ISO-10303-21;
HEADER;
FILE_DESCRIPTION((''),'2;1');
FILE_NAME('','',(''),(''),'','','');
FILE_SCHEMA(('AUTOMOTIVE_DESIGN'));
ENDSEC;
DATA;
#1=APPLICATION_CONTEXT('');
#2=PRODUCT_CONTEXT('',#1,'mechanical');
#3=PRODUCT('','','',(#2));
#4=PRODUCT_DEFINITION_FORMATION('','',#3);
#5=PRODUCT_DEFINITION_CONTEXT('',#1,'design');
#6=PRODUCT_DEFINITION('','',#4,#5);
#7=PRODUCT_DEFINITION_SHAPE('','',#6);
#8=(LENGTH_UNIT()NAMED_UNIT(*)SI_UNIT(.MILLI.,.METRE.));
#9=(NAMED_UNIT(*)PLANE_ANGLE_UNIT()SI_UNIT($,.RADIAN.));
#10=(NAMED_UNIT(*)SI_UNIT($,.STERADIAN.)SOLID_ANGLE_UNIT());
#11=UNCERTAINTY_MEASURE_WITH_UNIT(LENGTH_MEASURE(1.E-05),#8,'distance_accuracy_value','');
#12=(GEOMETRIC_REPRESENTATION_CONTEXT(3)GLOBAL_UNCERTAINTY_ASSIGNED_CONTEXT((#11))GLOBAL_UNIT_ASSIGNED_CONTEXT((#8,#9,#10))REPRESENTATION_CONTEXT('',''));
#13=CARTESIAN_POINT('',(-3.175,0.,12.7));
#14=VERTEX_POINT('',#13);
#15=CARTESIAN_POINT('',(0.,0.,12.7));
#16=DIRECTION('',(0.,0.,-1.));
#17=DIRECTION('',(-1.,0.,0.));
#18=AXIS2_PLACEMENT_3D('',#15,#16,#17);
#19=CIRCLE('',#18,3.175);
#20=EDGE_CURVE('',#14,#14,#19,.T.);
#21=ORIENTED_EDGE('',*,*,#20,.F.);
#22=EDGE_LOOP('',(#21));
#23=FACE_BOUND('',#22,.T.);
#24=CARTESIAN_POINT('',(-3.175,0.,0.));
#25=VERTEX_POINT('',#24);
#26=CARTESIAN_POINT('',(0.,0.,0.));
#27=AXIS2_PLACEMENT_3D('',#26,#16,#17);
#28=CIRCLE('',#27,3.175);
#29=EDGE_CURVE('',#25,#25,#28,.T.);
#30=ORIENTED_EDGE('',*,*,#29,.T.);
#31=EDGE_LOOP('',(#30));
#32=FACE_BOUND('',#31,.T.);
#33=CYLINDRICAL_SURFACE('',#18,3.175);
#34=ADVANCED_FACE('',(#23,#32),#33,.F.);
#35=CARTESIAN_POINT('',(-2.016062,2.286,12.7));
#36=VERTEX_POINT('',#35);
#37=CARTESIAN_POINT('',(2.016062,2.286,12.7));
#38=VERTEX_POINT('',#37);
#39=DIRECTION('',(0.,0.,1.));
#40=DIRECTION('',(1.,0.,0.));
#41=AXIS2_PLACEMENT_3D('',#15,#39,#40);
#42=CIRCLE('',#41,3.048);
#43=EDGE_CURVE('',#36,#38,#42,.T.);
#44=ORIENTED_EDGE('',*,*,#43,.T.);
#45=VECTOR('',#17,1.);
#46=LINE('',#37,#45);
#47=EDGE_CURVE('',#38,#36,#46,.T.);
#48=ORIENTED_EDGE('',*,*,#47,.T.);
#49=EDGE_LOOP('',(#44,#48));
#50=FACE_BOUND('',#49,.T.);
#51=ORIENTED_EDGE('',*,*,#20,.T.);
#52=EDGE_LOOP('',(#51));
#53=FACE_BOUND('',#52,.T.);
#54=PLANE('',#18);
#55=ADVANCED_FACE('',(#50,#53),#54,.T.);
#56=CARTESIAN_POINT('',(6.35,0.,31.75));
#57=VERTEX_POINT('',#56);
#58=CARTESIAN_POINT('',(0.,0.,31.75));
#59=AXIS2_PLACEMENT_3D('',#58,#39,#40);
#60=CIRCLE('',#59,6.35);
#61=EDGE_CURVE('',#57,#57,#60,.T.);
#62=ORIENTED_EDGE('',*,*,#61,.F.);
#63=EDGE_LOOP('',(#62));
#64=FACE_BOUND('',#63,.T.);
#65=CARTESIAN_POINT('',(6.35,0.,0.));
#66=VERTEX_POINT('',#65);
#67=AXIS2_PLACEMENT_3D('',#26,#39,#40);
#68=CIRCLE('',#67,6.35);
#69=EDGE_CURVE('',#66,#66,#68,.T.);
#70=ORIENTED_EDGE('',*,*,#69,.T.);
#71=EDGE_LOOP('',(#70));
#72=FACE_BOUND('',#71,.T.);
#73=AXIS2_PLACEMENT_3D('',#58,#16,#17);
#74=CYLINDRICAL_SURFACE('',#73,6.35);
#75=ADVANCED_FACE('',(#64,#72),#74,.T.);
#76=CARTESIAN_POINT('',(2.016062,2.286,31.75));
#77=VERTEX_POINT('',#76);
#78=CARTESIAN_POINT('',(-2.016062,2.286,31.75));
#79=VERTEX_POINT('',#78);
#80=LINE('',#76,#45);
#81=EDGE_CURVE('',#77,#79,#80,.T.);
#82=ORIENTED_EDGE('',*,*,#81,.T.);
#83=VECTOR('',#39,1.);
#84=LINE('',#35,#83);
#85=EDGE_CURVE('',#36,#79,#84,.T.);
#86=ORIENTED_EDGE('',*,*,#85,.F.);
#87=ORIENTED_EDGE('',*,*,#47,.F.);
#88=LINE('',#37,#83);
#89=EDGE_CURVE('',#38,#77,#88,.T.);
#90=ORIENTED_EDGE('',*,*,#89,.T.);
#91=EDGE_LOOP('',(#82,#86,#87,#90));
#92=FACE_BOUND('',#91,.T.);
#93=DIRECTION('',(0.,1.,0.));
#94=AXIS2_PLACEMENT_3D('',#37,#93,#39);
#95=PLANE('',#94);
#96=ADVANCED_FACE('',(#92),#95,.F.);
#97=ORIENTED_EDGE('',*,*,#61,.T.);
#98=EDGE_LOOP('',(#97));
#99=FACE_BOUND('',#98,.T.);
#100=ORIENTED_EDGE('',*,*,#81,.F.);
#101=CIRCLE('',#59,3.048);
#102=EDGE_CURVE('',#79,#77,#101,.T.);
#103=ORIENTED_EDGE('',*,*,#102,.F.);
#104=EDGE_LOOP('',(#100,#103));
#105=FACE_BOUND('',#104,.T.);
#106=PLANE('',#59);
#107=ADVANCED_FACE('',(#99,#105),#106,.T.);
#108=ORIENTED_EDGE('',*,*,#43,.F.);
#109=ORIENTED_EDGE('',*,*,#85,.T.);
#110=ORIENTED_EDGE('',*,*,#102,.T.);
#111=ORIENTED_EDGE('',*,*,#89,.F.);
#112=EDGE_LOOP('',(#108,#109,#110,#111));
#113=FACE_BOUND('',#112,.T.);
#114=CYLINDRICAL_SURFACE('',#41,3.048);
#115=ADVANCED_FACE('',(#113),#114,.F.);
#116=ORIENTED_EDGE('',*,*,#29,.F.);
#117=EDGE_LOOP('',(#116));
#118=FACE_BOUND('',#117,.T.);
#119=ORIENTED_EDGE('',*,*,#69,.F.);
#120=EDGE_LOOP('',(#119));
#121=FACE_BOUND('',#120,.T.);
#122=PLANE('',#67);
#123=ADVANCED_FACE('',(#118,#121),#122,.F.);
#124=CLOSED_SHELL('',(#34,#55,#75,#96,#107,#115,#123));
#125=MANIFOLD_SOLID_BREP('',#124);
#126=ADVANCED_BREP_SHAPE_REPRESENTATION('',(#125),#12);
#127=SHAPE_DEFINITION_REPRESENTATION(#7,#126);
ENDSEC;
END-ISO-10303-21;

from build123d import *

# Parameters (mm, degrees)
SKETCH1_R           = 6.35
BOSS_EXTRUDE1_DEPTH = 31.75
CUT_EXTRUDE1_DEPTH  = 19.05
SKETCH3_R           = 3.175
CUT_EXTRUDE2_DEPTH  = 12.7


with BuildPart() as part:
    # Sketch1 → Boss-Extrude1 (new body)
    with BuildSketch(Plane.XY):
        Circle(SKETCH1_R)
    extrude(amount=BOSS_EXTRUDE1_DEPTH)

    # Sketch2 → Cut-Extrude1 (cut)
    with BuildSketch(Plane.XY.offset(31.75)):
        with BuildLine():
            Line((2.016062499, 2.286), (-2.016062499, 2.286))
            ThreePointArc((-2.016062499, 2.286), (0, -3.048), (2.016062499, 2.286))
        make_face()
    extrude(amount=-CUT_EXTRUDE1_DEPTH, mode=Mode.SUBTRACT)

    # Sketch3 → Cut-Extrude2 (cut)
    with BuildSketch(Plane(origin=(0, 0, 0), x_dir=(-1, 0, 0), z_dir=(0, 0, -1))):
        Circle(SKETCH3_R)
    extrude(amount=-CUT_EXTRUDE2_DEPTH, mode=Mode.SUBTRACT)


solid = part.part
